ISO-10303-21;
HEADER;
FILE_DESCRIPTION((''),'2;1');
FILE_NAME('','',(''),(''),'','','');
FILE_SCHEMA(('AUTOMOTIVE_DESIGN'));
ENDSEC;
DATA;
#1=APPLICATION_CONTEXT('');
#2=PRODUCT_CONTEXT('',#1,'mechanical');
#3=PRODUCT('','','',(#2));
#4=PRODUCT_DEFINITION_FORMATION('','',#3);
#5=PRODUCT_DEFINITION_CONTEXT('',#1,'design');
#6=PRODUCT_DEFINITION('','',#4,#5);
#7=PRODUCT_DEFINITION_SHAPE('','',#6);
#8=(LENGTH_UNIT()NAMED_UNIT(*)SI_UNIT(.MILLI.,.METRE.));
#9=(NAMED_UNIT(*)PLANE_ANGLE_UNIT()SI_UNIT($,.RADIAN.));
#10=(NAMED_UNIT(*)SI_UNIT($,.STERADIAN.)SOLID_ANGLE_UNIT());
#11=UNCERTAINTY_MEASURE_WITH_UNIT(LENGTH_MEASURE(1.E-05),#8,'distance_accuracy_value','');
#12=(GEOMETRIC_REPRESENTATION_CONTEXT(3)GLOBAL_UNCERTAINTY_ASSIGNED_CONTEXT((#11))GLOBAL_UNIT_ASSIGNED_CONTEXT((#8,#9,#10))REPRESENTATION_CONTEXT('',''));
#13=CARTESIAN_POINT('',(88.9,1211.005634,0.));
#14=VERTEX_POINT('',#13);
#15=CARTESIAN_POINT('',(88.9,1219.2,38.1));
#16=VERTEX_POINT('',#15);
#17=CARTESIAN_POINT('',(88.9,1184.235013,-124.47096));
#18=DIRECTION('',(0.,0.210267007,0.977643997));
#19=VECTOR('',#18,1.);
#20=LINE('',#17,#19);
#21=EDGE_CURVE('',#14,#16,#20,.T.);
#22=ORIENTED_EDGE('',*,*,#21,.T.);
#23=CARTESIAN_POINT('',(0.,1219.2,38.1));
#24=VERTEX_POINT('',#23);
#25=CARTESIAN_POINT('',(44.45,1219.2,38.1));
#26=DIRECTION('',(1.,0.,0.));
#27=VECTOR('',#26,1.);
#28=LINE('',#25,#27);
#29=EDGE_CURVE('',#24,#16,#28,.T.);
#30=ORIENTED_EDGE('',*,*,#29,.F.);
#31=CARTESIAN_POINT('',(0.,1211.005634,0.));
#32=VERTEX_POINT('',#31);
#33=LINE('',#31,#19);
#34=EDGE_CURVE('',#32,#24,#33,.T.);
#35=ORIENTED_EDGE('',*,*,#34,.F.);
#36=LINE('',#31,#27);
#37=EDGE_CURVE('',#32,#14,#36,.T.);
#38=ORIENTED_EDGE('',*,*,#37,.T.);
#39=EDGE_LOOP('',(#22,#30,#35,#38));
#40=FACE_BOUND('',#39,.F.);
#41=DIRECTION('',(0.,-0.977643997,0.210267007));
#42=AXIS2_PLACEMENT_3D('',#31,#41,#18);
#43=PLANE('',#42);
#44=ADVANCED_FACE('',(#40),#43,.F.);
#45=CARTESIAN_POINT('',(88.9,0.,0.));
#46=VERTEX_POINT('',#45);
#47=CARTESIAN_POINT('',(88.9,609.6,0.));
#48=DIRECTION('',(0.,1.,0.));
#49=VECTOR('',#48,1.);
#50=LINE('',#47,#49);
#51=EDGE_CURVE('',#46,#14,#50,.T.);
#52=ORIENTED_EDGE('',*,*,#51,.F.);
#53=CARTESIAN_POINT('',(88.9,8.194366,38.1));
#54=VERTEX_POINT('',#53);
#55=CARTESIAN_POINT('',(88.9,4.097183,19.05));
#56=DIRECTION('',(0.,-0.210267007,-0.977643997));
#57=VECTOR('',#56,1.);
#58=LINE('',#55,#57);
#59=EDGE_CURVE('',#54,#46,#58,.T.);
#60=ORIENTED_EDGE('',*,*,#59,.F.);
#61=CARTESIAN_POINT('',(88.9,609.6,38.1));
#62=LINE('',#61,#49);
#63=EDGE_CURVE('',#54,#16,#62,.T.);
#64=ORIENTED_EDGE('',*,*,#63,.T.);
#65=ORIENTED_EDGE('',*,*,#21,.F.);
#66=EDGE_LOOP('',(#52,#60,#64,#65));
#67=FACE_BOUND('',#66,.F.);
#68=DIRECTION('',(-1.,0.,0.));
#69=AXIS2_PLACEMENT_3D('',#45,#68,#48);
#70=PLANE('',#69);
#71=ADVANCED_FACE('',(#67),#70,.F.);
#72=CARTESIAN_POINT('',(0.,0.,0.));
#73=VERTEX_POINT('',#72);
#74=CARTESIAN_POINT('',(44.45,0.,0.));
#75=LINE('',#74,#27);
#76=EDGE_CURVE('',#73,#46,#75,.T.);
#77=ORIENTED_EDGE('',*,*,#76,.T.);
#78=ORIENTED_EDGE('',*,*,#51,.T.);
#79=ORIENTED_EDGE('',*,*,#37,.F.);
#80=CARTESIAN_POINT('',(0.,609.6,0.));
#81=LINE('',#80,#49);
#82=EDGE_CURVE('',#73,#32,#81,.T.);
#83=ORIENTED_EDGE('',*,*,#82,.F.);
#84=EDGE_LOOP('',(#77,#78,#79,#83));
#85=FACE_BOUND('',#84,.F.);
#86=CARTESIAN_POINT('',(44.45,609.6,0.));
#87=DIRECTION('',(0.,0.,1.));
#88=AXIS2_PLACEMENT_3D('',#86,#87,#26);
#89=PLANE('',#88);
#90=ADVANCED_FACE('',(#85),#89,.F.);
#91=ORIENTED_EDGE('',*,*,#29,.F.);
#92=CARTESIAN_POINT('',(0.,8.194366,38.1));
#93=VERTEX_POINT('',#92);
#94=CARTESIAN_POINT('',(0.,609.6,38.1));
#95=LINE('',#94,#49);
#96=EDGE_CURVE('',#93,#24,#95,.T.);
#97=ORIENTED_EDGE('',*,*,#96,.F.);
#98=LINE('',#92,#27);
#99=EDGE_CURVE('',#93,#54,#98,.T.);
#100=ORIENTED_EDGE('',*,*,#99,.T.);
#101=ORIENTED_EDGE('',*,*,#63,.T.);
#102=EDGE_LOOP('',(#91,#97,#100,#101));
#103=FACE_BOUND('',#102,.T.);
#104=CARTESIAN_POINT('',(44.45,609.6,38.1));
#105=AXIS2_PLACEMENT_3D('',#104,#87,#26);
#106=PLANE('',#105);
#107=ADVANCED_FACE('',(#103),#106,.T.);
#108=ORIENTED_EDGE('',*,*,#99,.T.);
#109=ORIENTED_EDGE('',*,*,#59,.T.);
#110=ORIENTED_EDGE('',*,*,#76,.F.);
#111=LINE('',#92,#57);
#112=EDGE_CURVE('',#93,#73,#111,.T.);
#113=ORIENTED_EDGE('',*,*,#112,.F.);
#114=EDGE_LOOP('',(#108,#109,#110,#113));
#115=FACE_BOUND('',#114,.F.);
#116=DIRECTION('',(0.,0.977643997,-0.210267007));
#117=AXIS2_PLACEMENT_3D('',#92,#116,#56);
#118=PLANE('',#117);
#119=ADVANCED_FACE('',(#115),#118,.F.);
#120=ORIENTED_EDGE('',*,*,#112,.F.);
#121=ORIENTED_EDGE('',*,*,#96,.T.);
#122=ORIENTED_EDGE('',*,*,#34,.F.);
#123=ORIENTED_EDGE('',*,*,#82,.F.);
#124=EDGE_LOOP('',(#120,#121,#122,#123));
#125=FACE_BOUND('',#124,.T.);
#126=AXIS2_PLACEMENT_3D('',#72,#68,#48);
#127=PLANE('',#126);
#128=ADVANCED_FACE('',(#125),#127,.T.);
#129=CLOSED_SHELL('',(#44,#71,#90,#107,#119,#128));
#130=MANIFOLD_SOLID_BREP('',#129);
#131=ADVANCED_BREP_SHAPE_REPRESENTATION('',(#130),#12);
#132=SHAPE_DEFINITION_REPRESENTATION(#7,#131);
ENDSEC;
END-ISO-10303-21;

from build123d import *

# Parameters (mm, degrees)
F0_W     = 88.9
F0_H     = 1219.2
F1_DEPTH = 38.1
F3_DEPTH = 88.901


with BuildPart() as f1:
    # F0 (on Top) → F1 (new body)
    with BuildSketch(Plane.XY):
        with Locations((44.45, 609.6)):
            Rectangle(F0_W, F0_H)
    extrude(amount=F1_DEPTH)

    # F2 (on face) → F3 (cut, through all)
    with BuildSketch(Plane(origin=(0, 0, 0), x_dir=(0, -1, 0), z_dir=(-1, 0, 0))):
        Polygon((0, 38.1), (-8.1943662455, 38.1), (0, 0), align=None)
        Polygon((-1219.2, 38.1), (-1219.2, 0), (-1211.0056337545, 0), align=None)
    extrude(amount=-F3_DEPTH, mode=Mode.SUBTRACT)


solid = f1.part
